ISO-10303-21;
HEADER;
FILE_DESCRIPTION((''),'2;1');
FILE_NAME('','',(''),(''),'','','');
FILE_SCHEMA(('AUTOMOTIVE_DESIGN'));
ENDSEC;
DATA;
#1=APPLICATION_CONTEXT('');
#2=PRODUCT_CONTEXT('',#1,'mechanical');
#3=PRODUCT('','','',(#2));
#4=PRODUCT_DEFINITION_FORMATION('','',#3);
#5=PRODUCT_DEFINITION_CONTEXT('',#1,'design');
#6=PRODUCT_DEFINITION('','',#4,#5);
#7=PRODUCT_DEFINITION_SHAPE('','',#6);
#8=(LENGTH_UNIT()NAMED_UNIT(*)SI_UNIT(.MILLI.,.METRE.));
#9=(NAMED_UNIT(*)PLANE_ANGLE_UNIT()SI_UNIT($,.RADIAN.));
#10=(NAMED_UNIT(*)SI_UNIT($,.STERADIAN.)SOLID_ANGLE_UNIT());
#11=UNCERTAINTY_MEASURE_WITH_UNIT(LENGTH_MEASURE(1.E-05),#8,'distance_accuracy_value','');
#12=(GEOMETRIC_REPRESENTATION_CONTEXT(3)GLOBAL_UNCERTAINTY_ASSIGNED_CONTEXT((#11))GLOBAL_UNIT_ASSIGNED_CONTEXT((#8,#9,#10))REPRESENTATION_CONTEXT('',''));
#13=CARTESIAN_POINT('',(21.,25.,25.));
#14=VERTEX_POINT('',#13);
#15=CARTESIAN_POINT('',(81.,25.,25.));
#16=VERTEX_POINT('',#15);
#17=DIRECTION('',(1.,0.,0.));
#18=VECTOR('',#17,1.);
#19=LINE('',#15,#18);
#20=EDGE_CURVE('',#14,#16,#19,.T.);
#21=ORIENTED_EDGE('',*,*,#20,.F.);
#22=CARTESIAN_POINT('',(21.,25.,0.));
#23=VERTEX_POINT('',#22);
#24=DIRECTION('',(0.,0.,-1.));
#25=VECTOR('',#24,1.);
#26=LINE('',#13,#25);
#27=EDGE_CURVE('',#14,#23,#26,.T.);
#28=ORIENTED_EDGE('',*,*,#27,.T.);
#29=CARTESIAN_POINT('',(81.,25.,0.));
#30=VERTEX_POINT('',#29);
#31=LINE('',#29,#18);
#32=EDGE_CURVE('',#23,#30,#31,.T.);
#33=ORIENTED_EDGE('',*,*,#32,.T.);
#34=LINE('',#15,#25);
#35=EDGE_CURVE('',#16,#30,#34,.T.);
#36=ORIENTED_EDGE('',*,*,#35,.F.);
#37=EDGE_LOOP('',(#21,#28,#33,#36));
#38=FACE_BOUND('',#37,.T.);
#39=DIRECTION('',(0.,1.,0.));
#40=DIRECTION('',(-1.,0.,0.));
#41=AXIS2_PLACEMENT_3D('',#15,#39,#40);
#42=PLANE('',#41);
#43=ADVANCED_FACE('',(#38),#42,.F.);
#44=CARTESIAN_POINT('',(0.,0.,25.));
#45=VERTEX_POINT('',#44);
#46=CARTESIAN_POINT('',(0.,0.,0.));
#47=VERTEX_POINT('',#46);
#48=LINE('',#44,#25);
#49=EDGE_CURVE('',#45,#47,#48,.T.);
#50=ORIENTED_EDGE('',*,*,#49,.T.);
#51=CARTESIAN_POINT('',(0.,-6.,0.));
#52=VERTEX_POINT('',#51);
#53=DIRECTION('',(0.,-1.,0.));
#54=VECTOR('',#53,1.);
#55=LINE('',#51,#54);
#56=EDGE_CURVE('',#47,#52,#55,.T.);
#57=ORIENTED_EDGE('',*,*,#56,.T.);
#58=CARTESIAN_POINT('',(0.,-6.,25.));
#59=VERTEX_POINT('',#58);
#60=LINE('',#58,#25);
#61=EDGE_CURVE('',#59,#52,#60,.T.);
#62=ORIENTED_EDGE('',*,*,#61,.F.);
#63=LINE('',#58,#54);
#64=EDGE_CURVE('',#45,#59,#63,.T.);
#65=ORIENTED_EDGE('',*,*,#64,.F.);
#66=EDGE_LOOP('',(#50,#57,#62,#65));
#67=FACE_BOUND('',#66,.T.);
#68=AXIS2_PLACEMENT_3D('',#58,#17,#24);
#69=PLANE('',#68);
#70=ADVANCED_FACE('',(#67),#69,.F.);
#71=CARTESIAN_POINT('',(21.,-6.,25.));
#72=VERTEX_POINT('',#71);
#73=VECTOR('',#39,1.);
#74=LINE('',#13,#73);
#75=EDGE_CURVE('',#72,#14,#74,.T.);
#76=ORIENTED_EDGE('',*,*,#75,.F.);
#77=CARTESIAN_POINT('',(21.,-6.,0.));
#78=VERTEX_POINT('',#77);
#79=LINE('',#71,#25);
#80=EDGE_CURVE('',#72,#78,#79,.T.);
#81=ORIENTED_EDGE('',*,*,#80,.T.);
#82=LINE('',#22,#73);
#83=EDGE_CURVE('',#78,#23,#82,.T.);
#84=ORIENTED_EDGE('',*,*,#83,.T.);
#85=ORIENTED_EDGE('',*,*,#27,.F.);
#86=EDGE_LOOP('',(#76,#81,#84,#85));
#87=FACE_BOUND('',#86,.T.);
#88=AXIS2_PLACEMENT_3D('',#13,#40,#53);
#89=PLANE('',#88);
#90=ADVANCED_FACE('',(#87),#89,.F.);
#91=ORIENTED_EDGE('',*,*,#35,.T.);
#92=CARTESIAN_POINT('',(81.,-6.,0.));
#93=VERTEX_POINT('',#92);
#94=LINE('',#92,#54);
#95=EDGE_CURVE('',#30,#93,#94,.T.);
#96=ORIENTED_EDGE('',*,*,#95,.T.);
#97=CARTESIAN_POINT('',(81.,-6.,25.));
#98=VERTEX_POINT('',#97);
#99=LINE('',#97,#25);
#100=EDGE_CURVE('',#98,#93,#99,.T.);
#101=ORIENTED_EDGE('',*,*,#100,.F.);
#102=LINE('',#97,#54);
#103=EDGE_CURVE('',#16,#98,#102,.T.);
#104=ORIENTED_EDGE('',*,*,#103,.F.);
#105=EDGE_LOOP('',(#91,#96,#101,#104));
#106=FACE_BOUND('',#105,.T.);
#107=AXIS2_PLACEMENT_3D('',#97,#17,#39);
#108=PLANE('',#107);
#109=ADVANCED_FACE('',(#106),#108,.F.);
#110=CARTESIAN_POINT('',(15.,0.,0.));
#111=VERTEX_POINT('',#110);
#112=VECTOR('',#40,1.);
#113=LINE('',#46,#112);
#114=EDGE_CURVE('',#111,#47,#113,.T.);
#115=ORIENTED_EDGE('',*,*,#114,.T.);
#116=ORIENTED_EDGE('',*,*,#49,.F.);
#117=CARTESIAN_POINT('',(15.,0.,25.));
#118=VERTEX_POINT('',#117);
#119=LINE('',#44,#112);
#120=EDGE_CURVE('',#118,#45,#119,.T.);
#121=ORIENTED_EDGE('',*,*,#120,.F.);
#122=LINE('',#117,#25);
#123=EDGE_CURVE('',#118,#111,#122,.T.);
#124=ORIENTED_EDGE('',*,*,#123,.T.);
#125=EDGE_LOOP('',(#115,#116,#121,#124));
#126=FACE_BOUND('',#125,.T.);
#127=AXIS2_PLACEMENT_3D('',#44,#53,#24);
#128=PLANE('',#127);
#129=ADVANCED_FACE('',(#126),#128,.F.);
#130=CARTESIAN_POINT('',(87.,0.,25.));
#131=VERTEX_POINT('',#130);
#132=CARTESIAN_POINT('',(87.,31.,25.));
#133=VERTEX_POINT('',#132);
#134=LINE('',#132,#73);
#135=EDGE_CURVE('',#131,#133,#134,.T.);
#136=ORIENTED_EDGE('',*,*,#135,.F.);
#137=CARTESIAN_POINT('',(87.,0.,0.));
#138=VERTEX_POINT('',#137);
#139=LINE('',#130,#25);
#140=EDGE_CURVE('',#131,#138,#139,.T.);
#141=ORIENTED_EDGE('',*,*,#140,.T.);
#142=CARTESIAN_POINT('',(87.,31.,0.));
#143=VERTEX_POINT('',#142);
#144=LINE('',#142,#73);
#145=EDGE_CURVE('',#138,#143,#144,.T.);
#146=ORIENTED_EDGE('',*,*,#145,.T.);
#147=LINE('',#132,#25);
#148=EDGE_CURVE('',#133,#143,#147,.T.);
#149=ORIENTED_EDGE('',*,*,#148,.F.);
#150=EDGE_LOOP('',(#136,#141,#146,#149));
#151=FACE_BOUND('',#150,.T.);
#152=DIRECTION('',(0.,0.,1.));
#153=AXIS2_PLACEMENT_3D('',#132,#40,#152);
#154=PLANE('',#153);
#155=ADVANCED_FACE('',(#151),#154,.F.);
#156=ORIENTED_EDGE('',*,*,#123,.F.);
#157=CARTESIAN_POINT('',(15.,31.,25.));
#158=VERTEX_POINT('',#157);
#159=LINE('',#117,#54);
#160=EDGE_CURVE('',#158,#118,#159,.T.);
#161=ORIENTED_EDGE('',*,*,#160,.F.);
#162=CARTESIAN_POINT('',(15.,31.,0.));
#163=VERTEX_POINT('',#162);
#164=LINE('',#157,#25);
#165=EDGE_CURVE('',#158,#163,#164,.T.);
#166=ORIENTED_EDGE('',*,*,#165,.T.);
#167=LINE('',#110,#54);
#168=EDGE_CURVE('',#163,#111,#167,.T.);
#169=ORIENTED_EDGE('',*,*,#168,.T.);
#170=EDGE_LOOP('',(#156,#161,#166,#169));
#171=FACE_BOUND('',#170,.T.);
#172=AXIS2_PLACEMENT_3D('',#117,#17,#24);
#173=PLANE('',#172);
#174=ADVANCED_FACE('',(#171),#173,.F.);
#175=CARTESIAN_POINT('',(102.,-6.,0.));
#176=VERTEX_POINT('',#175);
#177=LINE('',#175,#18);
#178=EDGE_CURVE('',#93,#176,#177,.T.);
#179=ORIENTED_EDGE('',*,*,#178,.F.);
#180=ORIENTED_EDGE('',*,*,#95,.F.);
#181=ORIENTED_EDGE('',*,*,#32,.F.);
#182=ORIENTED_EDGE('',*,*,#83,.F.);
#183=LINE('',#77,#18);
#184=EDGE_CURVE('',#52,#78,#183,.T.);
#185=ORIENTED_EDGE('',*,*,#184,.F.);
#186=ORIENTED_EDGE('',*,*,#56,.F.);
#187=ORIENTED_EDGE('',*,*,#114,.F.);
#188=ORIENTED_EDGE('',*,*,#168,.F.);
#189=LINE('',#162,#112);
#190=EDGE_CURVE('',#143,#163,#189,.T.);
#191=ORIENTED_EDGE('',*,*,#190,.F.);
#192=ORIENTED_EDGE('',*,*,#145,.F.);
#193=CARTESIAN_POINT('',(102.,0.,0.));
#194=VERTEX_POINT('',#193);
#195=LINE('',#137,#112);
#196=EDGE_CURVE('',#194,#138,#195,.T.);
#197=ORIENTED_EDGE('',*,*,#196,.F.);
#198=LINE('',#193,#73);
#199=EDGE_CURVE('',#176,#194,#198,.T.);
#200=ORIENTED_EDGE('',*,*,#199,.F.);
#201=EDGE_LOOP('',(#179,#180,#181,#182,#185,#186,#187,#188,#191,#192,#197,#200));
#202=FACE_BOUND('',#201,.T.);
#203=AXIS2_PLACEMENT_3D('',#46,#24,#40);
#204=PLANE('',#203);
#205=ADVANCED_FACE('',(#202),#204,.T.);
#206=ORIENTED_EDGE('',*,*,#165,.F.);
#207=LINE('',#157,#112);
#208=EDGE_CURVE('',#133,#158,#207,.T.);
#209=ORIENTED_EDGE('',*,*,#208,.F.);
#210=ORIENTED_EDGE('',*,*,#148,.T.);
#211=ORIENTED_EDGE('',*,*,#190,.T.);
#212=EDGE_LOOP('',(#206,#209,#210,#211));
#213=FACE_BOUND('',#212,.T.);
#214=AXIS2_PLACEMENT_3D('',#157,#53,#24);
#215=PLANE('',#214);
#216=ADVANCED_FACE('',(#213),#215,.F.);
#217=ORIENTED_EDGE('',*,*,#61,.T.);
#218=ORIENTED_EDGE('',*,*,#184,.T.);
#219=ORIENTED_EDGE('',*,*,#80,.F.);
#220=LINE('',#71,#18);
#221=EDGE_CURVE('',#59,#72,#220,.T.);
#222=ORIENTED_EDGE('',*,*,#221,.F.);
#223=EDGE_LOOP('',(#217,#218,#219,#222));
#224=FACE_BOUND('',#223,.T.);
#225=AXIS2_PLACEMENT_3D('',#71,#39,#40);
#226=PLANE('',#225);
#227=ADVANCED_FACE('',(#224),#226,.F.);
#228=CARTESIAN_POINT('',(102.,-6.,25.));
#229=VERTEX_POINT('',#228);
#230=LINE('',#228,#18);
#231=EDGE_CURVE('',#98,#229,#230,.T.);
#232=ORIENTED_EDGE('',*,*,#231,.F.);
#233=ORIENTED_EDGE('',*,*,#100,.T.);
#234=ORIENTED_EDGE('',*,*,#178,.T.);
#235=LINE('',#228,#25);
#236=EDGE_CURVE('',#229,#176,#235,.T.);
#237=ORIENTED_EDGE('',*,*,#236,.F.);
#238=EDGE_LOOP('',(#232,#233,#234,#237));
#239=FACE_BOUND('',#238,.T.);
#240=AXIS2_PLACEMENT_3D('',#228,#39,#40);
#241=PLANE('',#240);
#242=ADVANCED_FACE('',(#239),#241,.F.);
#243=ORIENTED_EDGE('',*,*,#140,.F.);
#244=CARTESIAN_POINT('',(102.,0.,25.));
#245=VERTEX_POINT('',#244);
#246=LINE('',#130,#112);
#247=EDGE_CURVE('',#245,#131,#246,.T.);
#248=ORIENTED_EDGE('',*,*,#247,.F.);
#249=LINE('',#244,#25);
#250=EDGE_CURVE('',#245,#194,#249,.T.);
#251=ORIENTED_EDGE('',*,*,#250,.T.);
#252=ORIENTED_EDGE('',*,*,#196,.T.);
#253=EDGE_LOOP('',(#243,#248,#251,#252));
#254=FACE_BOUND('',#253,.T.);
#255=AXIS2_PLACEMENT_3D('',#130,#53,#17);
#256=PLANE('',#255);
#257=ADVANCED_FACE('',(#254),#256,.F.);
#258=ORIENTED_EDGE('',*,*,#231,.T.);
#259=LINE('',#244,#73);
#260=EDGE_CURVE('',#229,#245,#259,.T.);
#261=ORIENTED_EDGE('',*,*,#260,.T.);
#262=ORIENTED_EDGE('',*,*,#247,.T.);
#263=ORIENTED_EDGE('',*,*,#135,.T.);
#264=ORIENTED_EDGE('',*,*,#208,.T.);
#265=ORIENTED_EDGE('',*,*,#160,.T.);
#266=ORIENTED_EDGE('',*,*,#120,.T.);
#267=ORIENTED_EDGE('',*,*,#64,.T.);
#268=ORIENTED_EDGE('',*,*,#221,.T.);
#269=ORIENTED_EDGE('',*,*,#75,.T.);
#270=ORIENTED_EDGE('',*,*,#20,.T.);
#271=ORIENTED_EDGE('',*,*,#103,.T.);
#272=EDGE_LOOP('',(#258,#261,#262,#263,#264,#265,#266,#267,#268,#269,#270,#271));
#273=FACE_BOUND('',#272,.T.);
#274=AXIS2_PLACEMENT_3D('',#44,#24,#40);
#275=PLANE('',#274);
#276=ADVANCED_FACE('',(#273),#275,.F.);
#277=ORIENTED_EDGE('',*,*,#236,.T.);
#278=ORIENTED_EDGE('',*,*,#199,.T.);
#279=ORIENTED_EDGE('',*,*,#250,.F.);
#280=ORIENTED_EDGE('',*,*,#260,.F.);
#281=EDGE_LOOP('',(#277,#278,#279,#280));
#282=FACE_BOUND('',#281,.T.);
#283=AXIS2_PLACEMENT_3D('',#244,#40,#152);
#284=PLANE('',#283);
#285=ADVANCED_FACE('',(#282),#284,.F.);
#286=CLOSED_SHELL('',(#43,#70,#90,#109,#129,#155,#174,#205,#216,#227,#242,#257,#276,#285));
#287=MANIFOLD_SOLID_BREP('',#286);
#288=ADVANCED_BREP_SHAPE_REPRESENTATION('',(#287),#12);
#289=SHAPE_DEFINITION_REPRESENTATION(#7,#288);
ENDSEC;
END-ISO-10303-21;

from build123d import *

# Parameters (mm, degrees)
BOSS_EXTRUDE1_DEPTH = 25


with BuildPart() as part:
    # Sketch1 → Boss-Extrude1 (new body)
    with BuildSketch(Plane.XY):
        Polygon((0, 0), (15, 0), (15, 31), (87, 31), (87, 0), (102, 0), (102, -6), (81, -6), (81, 25), (21, 25), (21, -6), (0, -6), align=None)
    extrude(amount=BOSS_EXTRUDE1_DEPTH)


solid = part.part
